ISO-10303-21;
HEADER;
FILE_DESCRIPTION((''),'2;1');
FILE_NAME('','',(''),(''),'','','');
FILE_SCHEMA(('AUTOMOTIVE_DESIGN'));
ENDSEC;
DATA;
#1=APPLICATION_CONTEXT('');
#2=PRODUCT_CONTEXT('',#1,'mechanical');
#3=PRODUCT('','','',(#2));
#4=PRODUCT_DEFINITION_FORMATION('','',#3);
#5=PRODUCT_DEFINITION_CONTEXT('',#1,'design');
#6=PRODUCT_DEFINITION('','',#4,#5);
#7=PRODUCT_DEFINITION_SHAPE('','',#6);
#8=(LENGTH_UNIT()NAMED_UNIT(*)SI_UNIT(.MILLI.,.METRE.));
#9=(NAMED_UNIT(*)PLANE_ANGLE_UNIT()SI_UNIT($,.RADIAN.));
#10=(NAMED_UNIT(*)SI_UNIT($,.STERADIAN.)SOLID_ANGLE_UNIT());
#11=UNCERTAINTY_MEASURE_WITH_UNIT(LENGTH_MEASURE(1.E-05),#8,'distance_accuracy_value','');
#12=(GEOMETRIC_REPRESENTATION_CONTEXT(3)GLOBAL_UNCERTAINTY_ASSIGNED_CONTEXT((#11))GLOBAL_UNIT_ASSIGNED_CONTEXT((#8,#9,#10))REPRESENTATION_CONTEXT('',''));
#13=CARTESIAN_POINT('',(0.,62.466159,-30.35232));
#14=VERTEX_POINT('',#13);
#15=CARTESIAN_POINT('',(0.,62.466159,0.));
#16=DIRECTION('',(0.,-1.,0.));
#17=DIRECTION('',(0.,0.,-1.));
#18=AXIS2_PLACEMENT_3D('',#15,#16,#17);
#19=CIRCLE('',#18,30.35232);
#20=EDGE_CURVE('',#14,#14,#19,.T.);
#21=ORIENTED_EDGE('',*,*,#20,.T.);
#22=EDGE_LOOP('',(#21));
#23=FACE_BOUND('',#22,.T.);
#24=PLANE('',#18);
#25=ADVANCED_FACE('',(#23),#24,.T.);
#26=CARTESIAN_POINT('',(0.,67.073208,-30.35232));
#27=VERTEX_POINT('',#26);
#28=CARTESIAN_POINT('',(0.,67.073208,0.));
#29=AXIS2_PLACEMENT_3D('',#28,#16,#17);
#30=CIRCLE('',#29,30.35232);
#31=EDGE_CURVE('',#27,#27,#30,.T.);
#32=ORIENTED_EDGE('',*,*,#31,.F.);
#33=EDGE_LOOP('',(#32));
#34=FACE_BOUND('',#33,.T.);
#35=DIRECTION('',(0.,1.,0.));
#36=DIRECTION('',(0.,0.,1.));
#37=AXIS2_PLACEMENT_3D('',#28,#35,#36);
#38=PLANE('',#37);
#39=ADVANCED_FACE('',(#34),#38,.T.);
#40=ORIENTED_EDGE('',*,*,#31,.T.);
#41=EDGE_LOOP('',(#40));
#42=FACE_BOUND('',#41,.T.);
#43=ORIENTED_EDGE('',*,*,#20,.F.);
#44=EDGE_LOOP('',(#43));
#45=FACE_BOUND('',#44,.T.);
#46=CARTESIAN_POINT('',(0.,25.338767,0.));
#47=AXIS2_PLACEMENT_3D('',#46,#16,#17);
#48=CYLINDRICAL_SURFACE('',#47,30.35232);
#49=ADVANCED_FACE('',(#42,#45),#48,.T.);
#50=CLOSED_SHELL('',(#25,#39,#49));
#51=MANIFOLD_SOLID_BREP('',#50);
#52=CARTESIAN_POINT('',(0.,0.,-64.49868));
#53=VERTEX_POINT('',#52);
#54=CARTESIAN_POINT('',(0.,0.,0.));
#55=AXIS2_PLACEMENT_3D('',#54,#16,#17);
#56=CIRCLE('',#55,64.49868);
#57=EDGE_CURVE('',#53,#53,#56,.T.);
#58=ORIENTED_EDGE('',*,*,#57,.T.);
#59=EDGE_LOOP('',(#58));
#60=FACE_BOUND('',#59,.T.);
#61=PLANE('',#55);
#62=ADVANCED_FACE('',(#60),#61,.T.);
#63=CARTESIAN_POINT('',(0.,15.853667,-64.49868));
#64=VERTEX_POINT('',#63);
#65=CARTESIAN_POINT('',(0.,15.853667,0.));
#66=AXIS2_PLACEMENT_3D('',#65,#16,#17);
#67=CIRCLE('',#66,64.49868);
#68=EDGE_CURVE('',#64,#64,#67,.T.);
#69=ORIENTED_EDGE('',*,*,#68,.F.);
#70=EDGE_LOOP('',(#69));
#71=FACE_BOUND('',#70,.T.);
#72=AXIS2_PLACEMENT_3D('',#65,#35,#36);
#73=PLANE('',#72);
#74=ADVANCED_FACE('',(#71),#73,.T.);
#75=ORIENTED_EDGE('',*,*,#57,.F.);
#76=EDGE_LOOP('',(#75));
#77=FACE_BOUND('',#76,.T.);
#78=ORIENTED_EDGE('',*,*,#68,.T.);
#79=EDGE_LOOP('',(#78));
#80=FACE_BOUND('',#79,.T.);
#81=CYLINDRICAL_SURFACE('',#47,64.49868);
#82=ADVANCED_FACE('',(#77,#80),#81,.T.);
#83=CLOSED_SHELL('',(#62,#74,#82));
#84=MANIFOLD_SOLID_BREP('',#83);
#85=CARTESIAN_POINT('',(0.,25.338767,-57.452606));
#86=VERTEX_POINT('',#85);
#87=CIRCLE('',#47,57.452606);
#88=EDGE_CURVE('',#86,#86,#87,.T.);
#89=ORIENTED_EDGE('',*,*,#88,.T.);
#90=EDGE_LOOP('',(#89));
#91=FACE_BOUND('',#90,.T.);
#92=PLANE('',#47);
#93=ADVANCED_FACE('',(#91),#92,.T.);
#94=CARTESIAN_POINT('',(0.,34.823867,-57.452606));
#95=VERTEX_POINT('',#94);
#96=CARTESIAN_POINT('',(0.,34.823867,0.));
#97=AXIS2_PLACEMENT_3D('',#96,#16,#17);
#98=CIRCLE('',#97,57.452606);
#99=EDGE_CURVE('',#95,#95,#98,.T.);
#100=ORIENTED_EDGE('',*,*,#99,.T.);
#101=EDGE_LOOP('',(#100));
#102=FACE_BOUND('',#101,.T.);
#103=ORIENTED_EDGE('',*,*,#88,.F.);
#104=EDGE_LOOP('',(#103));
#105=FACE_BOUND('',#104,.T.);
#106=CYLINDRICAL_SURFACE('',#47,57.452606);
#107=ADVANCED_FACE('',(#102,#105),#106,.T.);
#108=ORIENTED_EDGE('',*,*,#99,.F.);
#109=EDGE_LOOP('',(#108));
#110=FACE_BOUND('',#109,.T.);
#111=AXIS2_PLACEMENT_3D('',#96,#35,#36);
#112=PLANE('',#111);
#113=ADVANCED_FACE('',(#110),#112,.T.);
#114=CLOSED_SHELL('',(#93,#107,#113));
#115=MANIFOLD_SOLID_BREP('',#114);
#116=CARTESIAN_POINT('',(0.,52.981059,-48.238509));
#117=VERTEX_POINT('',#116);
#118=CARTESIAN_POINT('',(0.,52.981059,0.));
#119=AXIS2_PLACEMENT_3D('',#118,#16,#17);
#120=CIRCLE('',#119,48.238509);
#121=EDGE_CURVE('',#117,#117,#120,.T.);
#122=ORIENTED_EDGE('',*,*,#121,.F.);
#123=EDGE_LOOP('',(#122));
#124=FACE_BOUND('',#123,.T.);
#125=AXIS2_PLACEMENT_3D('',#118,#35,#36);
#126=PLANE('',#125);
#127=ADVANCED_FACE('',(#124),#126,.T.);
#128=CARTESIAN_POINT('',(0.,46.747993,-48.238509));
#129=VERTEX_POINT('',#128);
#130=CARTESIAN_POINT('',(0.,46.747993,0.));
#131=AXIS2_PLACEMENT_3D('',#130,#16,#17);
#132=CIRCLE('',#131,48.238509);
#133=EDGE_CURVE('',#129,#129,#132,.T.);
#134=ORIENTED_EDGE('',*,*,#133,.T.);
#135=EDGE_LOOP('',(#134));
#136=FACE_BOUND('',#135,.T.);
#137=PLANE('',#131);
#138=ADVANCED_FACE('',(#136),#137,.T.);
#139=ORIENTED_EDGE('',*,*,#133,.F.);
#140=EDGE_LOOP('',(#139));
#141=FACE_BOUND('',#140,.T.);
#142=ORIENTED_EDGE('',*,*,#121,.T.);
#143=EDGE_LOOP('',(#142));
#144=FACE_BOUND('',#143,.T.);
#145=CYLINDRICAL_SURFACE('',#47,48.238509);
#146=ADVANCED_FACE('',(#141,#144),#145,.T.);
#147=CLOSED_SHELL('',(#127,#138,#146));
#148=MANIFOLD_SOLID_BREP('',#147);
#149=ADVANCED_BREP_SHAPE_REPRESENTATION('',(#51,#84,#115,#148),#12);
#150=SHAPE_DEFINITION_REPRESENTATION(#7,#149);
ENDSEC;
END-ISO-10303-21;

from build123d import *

# Parameters (mm, degrees)
SKETCH1_W   = 64.498680347
SKETCH1_H   = 15.853667228
SKETCH1_W_2 = 57.452606024
SKETCH1_H_2 = 9.485100051
SKETCH1_W_3 = 48.238508831
SKETCH1_H_3 = 6.233065748
SKETCH1_W_4 = 30.352320163
SKETCH1_H_4 = 4.607048596


with BuildPart() as part:
    # Sketch1 → Revolve1 (revolve)
    with BuildSketch(Plane.XY, mode=Mode.PRIVATE) as revolve1_sk:
        with Locations((32.249340174, 7.926833614)):
            Rectangle(SKETCH1_W, SKETCH1_H)
        with Locations((28.726303012, 30.081317305)):
            Rectangle(SKETCH1_W_2, SKETCH1_H_2)
        with Locations((24.119254416, 49.864525983)):
            Rectangle(SKETCH1_W_3, SKETCH1_H_3)
        with Locations((15.176160082, 64.769683206)):
            Rectangle(SKETCH1_W_4, SKETCH1_H_4)
    revolve(revolve1_sk.sketch.rotate(Axis((0, 25.338767279, 0), (0, 1, 0)), 90), axis=Axis((0, 25.338767279, 0), (0, 1, 0)))


solid = part.part
